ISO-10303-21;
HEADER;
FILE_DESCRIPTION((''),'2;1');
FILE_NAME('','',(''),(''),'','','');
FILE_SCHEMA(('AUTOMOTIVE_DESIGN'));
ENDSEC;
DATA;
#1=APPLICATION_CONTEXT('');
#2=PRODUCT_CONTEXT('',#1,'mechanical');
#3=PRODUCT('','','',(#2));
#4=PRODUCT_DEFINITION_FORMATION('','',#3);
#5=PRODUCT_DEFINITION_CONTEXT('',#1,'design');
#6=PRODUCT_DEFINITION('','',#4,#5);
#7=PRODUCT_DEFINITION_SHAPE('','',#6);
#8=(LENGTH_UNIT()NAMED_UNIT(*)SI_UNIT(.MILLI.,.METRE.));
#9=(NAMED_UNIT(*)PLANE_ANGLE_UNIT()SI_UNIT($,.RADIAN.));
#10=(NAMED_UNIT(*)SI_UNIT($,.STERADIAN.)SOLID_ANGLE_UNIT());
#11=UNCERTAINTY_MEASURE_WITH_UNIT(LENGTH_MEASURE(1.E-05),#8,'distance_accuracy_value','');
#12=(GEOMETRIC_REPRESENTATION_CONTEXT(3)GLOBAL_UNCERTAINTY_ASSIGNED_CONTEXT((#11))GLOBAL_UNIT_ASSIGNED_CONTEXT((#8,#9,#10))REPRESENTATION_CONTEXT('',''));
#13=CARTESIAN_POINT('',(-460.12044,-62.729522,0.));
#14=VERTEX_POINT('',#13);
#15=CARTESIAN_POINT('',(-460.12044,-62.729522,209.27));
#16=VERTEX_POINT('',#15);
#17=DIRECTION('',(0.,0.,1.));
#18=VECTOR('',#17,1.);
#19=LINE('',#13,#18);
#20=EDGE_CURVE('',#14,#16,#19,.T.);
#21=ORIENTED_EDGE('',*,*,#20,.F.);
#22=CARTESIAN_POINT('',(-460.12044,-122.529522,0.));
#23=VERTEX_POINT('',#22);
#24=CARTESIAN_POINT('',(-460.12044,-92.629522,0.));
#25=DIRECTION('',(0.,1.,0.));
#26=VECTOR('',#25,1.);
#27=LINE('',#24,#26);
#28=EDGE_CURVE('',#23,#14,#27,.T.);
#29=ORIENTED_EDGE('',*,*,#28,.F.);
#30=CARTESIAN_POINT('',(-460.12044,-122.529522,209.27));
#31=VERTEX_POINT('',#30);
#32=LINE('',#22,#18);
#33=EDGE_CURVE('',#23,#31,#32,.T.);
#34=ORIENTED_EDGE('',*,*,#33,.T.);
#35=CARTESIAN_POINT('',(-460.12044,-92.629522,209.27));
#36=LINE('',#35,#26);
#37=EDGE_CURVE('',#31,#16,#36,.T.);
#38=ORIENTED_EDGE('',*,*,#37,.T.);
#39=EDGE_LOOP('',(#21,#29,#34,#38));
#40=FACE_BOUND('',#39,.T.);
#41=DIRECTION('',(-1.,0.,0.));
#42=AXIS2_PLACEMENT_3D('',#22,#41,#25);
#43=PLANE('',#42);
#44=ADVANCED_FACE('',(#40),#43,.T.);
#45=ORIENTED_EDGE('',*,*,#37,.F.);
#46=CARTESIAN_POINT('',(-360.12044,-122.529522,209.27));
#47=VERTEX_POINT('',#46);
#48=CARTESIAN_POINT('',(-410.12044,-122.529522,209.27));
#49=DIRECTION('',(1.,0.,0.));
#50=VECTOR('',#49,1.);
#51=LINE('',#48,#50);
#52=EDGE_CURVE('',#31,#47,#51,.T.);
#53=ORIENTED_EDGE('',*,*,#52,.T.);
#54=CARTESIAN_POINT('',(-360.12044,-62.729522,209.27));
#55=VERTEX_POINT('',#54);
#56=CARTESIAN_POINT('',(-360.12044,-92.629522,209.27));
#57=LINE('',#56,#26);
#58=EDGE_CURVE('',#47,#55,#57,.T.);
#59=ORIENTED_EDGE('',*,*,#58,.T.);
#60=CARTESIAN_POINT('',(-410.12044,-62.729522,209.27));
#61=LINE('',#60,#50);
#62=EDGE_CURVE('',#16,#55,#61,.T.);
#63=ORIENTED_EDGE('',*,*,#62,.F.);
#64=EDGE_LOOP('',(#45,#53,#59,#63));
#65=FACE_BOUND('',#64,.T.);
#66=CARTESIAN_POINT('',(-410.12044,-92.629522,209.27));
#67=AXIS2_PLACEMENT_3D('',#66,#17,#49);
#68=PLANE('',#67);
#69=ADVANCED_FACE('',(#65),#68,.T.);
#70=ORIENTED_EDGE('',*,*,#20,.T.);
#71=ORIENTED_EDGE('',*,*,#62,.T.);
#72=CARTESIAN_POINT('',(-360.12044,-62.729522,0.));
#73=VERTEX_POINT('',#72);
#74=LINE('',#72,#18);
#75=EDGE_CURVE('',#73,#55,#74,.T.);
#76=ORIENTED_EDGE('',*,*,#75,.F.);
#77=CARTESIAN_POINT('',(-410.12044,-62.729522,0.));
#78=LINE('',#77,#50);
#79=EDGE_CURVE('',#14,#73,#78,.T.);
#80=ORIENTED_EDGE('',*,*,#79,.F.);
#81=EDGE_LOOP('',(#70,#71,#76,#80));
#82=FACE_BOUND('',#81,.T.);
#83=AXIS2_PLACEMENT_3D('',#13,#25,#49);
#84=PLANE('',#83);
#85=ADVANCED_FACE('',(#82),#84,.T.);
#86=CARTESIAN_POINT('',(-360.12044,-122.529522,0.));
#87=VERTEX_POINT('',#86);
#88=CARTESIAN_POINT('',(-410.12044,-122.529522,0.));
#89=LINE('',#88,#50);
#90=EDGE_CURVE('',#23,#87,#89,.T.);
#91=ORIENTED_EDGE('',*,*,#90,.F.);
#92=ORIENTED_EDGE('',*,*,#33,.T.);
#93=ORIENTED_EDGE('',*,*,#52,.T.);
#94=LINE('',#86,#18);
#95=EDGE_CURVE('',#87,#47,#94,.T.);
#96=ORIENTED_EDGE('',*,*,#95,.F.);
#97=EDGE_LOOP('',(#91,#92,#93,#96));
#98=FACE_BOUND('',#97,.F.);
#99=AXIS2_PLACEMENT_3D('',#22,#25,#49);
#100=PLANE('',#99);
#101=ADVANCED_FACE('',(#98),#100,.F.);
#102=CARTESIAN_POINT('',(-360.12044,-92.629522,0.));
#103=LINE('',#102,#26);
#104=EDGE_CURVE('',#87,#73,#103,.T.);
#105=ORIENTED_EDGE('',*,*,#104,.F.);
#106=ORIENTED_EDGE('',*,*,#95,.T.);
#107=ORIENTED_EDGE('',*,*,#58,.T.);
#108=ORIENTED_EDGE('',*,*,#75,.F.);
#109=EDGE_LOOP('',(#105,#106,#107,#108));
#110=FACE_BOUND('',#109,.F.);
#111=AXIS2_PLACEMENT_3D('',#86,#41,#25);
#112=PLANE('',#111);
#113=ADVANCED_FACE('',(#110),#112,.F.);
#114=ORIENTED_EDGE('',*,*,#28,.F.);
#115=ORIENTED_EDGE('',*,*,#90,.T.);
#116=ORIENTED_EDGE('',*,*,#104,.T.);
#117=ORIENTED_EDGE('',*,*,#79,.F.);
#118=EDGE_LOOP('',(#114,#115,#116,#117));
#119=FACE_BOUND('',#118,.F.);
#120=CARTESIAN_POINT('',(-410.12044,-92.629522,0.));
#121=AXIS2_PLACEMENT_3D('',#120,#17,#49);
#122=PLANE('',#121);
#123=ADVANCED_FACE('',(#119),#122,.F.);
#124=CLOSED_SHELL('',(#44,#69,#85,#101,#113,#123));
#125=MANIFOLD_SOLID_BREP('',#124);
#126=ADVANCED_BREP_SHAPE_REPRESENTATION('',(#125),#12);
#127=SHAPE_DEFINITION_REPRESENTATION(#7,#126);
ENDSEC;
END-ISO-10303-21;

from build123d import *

# Parameters (mm, degrees)
F1_W     = 100
F1_H     = 59.8
F2_DEPTH = 209.27


with BuildPart() as f2:
    # F1 (on face) → F2 (new body)
    with BuildSketch(Plane.XY):
        with Locations((-410.12044, -92.629522)):
            Rectangle(F1_W, F1_H)
    extrude(amount=F2_DEPTH)


solid = f2.part
